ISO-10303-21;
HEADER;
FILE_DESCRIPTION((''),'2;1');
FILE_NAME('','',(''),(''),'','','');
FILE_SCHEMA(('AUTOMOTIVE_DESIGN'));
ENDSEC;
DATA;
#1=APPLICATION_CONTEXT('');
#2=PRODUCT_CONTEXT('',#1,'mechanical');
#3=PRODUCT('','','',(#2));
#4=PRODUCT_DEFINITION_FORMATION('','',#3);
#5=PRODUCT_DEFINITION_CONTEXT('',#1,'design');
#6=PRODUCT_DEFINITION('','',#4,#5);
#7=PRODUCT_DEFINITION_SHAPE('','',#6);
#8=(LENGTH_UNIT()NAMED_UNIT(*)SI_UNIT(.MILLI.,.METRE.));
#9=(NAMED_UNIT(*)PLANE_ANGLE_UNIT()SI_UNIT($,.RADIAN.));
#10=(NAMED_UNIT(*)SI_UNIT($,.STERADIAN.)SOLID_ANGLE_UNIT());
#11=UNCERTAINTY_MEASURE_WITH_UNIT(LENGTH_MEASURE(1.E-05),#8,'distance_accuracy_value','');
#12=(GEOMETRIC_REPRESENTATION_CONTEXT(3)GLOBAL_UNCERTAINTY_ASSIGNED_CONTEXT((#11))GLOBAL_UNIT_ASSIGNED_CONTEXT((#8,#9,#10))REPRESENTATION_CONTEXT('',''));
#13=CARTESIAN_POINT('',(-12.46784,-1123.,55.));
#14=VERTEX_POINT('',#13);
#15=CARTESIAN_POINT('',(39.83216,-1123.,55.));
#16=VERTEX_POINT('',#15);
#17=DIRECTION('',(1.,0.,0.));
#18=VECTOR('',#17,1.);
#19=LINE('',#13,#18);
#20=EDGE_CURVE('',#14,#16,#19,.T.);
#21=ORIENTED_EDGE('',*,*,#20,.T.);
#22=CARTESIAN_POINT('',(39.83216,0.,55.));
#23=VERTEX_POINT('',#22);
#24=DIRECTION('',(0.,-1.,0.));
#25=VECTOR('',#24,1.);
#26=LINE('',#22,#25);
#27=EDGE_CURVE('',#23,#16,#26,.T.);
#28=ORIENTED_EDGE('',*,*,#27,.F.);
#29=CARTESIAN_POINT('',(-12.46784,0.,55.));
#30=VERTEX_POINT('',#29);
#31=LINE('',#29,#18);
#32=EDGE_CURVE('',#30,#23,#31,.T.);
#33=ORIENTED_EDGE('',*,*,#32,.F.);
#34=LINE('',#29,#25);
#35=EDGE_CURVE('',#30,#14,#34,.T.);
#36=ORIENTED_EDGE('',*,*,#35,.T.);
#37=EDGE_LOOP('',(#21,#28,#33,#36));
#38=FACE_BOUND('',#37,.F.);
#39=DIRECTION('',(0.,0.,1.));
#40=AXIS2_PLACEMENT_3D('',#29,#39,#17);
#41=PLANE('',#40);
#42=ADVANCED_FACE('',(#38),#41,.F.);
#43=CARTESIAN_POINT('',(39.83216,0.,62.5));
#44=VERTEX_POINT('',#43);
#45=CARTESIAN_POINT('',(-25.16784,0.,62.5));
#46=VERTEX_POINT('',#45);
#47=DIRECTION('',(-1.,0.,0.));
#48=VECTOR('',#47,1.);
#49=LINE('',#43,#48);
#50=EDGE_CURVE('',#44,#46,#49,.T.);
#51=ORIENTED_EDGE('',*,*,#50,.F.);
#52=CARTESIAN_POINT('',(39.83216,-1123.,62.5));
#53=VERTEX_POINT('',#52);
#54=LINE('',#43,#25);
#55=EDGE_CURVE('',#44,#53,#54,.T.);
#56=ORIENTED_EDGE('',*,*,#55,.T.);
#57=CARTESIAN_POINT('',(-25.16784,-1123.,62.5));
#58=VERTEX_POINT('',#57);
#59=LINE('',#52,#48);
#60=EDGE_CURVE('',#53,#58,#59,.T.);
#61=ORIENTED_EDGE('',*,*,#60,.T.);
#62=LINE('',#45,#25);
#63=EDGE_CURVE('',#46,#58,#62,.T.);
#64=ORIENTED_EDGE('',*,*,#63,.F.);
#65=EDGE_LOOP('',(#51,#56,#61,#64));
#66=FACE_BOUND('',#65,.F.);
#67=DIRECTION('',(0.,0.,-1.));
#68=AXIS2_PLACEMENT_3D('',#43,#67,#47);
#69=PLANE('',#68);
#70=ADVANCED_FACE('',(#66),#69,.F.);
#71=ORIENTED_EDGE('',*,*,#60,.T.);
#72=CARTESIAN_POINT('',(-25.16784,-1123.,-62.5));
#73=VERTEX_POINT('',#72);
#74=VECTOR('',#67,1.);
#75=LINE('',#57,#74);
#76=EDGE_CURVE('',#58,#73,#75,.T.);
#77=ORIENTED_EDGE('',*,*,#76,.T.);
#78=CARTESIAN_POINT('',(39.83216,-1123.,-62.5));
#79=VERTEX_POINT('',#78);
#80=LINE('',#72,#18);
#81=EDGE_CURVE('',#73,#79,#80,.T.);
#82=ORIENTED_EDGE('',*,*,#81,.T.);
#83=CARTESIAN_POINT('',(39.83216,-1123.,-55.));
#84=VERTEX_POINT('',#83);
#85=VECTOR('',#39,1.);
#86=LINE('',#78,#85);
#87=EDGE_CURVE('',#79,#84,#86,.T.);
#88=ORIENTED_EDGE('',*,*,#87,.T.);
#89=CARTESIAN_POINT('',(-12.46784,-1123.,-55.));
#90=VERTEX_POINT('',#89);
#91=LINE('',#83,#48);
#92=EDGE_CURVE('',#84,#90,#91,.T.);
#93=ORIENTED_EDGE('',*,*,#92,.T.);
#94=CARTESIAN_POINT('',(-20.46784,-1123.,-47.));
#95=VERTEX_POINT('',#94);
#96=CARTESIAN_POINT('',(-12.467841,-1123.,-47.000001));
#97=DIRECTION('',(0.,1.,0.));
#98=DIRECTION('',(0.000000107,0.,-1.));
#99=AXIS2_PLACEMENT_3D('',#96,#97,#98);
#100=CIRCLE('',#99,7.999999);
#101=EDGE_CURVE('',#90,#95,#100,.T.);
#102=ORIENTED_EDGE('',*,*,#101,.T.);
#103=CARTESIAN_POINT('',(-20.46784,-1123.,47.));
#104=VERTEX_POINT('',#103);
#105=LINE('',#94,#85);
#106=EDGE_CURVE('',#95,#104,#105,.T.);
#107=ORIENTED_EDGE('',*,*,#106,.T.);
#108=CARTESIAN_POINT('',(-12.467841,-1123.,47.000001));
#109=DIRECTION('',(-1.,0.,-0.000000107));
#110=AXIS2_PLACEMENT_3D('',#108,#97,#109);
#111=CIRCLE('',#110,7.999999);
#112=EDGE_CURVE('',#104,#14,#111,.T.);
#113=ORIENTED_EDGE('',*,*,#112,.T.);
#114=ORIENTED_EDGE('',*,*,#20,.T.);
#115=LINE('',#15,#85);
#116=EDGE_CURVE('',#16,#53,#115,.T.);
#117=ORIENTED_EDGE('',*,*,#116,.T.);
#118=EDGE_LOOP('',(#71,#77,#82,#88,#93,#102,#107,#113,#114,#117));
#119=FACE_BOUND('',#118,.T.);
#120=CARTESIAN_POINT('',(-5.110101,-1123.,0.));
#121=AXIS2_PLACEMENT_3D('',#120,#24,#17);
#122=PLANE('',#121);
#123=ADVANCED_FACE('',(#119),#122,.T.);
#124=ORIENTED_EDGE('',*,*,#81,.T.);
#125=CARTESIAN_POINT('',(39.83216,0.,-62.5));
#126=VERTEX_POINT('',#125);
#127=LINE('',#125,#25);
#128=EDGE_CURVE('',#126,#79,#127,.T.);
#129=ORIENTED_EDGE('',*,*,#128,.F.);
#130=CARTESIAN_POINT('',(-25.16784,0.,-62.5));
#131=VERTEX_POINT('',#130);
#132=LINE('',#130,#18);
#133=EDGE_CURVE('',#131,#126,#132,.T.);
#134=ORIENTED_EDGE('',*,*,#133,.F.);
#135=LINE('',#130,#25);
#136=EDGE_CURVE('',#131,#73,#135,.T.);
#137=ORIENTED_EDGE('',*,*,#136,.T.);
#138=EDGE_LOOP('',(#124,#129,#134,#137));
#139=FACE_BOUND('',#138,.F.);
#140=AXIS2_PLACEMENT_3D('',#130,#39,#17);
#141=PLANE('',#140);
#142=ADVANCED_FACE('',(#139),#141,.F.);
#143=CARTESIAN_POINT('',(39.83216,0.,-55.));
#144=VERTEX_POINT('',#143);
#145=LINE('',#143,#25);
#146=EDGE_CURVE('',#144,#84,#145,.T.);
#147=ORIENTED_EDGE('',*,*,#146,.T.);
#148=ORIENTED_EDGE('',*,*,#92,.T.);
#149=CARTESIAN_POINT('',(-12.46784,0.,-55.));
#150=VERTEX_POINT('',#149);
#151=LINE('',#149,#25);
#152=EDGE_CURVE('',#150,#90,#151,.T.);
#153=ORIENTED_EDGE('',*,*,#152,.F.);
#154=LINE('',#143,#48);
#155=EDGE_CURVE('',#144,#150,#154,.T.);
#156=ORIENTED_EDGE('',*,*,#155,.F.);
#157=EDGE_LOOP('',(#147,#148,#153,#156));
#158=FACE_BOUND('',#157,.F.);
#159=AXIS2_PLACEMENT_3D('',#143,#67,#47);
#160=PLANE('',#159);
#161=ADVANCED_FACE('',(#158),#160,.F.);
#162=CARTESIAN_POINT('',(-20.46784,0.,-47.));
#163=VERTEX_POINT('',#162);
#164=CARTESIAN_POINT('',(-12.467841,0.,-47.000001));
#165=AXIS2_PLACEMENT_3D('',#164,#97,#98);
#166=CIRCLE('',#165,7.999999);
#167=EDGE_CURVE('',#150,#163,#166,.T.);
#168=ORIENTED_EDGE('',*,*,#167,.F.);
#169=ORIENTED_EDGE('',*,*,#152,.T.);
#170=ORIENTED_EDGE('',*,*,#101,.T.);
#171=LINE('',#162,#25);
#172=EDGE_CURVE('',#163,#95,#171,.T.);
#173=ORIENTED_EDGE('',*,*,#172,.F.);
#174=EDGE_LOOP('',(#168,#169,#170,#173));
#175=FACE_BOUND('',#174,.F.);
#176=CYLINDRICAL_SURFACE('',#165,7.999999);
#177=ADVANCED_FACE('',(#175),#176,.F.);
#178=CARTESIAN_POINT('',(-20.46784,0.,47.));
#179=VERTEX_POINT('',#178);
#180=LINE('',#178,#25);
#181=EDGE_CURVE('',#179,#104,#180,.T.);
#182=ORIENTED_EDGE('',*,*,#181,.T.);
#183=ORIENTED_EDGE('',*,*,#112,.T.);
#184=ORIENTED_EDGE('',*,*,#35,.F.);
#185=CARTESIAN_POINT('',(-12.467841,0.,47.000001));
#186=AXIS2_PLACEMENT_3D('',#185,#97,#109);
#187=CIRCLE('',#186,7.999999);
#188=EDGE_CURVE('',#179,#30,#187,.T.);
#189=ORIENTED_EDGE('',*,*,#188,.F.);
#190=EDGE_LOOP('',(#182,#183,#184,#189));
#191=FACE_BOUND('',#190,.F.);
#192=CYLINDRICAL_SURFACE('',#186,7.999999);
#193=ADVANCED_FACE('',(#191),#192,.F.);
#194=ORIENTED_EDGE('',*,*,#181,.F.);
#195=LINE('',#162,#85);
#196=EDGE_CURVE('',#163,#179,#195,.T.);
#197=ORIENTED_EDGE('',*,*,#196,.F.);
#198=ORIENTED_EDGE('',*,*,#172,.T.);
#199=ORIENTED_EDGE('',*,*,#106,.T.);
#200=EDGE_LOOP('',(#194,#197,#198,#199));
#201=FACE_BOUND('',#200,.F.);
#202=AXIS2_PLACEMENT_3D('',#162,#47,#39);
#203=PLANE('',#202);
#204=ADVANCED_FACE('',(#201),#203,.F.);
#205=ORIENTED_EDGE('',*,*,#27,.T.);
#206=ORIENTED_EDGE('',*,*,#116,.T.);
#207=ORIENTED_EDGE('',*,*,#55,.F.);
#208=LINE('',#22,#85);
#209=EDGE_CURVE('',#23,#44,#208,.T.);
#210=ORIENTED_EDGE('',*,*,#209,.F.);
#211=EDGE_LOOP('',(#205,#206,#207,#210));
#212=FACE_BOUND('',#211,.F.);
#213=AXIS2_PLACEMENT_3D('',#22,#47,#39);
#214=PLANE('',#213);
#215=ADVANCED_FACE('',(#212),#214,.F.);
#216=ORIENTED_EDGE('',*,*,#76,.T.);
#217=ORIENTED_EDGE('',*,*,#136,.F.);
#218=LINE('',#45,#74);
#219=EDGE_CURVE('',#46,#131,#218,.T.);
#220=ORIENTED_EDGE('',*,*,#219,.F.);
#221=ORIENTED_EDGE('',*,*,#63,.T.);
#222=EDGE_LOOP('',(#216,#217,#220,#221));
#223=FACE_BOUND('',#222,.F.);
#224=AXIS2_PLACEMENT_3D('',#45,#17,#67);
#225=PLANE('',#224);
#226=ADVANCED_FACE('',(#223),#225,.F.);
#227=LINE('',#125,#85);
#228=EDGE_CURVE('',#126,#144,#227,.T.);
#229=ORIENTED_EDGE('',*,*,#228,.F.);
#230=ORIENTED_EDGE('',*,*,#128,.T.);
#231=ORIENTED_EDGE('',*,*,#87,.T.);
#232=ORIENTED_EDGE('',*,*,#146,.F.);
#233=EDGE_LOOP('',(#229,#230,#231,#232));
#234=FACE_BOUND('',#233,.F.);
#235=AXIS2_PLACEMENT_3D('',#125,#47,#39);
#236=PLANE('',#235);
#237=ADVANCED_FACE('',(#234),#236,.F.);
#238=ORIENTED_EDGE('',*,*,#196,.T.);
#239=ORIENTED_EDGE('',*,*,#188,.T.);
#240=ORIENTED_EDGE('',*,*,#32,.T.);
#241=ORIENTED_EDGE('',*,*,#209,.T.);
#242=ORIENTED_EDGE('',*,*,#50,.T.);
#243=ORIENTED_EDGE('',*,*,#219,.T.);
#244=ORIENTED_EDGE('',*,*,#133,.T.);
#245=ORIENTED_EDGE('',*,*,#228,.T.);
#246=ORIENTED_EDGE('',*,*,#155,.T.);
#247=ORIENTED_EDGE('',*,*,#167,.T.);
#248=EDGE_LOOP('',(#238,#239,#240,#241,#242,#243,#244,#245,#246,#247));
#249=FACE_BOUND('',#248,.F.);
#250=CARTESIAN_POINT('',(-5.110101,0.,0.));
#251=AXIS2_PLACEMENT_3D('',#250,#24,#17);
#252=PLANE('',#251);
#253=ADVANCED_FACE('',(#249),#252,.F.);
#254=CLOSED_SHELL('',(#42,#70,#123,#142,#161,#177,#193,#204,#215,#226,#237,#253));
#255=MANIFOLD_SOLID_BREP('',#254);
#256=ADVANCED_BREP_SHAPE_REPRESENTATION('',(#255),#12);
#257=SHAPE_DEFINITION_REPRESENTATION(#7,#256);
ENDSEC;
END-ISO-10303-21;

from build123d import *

# Parameters (mm, degrees)
F1_DEPTH = 1123


with BuildPart() as f1:
    # F0 (on Front) → F1 (new body)
    with BuildSketch(Plane.XZ):
        with BuildLine():
            Line((-25.16784, 62.5), (-25.16784, -62.5))
            Line((-25.16784, -62.5), (39.83216, -62.5))
            Line((39.83216, -62.5), (39.83216, -55))
            Line((39.83216, -55), (-12.46784, -55))
            ThreePointArc((-12.46784, -55), (-18.124695, -52.656854), (-20.46784, -47))
            Line((-20.46784, -47), (-20.46784, 47))
            ThreePointArc((-20.46784, 47), (-18.124695, 52.656854), (-12.46784, 55))
            Line((-12.46784, 55), (39.83216, 55))
            Line((39.83216, 55), (39.83216, 62.5))
            Line((39.83216, 62.5), (-25.16784, 62.5))
        make_face()
    extrude(amount=F1_DEPTH)


solid = f1.part
